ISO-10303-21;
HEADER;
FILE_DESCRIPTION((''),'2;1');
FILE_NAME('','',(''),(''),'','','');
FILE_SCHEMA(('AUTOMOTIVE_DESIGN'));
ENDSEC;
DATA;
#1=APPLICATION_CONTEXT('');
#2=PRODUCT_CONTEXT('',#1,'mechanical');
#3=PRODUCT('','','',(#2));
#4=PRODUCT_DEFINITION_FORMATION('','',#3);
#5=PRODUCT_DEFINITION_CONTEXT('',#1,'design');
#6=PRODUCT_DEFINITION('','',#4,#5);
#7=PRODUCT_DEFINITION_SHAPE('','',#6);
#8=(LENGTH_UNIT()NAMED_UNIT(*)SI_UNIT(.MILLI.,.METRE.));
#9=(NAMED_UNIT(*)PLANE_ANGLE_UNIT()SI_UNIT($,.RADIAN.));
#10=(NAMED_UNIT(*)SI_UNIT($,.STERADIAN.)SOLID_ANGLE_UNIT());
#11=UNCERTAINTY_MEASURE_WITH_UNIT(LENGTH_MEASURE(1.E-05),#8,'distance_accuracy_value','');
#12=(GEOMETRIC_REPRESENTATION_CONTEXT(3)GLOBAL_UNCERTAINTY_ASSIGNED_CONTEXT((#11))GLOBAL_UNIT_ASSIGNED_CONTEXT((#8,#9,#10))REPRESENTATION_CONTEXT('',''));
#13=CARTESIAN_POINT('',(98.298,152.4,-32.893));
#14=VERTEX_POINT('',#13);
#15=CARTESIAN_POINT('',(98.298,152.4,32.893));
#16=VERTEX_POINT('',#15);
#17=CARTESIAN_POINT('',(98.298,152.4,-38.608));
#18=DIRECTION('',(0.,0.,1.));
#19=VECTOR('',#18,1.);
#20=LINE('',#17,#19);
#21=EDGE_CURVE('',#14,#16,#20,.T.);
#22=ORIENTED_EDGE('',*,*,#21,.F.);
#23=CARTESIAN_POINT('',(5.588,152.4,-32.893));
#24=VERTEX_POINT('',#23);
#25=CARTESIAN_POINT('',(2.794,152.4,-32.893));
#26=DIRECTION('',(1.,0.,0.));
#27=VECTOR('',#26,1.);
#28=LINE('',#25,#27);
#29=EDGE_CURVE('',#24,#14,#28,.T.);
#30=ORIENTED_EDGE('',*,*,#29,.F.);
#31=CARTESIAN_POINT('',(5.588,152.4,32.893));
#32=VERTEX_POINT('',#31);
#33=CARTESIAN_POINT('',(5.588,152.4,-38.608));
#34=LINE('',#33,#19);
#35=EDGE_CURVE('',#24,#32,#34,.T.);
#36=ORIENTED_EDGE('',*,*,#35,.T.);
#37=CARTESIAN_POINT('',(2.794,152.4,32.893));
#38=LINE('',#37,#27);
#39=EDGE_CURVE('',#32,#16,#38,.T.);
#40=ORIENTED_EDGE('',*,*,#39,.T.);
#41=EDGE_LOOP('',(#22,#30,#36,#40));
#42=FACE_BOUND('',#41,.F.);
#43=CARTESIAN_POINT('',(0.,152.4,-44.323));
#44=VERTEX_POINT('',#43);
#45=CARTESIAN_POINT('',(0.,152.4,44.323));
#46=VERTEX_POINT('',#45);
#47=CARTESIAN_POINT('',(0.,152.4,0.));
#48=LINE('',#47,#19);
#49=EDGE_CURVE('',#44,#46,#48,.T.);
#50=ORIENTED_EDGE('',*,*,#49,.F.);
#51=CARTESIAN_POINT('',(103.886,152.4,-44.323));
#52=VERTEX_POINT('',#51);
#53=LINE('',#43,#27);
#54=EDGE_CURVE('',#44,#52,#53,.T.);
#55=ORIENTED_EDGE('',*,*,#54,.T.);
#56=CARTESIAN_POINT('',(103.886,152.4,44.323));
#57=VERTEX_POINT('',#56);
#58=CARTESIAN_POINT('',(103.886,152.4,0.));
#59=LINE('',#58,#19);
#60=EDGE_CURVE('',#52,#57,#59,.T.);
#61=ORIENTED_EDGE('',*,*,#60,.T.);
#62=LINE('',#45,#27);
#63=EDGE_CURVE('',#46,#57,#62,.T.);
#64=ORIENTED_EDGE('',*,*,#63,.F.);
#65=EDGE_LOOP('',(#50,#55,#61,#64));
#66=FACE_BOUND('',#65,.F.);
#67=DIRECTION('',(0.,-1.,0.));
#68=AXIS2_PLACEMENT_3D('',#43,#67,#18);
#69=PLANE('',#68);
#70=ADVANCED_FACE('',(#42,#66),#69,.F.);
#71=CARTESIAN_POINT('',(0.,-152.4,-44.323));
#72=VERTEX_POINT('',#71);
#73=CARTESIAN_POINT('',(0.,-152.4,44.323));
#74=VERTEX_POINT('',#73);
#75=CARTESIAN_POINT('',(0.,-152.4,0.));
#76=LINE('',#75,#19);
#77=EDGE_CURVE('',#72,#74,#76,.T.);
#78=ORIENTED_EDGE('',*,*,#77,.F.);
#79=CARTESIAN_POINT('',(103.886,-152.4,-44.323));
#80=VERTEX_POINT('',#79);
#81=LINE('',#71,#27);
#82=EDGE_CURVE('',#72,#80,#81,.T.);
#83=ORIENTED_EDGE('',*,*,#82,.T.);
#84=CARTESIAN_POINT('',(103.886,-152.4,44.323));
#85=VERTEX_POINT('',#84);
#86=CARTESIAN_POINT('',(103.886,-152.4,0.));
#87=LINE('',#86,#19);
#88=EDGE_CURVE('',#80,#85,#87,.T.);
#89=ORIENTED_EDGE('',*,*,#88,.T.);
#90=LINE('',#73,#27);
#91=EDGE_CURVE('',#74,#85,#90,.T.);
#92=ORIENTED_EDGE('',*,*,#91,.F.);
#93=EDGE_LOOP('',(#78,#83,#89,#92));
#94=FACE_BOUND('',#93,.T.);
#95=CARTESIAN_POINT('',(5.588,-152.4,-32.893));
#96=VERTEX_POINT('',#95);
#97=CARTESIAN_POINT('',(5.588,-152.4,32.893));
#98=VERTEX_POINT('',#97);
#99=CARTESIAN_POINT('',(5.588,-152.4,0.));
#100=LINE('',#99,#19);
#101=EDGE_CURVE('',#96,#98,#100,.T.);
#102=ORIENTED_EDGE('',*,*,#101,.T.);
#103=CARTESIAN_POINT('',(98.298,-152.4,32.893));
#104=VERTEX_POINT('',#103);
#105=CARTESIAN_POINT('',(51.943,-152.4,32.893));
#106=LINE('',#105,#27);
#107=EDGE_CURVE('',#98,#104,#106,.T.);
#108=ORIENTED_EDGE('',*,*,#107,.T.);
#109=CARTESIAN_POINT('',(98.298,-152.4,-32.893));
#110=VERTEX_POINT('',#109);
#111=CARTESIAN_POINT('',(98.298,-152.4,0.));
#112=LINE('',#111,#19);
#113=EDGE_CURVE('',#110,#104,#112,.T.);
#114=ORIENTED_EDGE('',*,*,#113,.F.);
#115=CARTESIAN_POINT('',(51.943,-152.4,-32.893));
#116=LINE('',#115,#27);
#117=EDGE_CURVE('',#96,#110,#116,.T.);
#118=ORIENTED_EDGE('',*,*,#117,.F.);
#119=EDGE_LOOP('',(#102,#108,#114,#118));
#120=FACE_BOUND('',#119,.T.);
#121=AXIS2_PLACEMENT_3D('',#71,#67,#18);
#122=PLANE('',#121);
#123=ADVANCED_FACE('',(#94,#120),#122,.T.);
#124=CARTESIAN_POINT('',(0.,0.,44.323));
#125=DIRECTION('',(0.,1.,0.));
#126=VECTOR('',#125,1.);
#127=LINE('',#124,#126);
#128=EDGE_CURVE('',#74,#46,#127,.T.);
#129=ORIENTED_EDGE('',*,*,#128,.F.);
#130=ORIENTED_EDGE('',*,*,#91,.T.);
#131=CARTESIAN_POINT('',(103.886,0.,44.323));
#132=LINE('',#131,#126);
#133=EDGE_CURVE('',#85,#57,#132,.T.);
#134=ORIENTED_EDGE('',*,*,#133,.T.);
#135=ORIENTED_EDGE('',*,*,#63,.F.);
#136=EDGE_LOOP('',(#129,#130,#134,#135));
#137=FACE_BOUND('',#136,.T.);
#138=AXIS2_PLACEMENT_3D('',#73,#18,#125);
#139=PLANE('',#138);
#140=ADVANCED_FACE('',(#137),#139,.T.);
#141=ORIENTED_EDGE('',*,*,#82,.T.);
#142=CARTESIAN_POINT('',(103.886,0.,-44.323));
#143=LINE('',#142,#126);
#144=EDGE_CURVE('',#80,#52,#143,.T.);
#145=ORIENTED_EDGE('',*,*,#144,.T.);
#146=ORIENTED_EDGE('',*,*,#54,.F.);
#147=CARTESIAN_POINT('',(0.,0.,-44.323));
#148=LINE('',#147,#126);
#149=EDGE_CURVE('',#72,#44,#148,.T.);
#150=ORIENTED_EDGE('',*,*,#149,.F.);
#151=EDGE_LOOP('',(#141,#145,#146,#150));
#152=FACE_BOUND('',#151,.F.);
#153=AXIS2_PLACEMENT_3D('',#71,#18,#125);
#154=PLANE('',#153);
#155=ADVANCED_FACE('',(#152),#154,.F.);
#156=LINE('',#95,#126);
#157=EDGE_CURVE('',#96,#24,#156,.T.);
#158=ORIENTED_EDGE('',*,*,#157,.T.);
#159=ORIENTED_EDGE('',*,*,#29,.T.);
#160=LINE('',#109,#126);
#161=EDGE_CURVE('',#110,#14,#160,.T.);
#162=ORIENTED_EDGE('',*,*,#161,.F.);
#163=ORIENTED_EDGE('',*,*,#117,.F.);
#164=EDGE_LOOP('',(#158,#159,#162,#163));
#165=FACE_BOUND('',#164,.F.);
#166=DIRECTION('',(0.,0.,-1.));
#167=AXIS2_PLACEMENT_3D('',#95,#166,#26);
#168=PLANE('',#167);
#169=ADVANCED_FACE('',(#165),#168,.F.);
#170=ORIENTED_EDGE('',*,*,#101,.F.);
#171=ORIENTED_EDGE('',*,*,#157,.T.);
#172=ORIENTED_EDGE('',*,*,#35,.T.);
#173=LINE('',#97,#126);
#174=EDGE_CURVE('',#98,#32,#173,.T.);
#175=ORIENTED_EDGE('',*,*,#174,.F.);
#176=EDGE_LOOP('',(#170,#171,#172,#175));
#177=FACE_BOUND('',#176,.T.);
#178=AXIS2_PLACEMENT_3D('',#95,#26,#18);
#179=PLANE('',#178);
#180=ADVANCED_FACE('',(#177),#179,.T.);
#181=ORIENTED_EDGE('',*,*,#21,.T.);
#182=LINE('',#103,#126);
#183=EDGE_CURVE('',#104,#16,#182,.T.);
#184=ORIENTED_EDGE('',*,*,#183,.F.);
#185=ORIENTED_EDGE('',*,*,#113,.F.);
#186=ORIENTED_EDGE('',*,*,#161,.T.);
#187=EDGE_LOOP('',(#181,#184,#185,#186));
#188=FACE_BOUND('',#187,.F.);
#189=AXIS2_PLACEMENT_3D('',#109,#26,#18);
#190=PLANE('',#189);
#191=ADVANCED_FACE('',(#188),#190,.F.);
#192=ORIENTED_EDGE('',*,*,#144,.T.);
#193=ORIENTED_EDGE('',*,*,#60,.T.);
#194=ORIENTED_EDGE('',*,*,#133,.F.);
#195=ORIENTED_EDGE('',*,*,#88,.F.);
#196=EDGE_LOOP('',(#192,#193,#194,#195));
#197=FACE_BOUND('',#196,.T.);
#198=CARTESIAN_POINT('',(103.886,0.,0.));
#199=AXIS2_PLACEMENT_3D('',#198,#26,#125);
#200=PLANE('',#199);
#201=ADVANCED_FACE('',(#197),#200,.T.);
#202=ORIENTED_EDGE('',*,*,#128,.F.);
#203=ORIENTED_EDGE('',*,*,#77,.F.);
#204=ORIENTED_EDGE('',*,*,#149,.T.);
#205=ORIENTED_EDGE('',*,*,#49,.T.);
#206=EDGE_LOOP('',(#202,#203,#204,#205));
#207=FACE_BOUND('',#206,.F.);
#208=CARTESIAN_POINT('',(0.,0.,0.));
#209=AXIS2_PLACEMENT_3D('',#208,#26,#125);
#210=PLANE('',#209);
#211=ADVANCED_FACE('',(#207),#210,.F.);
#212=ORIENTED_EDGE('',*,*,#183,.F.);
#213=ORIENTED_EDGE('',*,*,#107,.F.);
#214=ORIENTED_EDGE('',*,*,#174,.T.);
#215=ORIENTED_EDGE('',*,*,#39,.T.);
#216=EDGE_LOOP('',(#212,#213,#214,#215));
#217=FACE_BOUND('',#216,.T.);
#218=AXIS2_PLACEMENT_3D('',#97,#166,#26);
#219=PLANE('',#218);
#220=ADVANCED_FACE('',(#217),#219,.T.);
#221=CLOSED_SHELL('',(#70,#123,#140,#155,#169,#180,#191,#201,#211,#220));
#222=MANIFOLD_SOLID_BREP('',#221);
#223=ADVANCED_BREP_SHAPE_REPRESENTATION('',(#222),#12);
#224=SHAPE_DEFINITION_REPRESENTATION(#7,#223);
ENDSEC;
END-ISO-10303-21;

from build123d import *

# Parameters (mm, degrees)
F0_W     = 304.8
F0_H     = 88.646
F1_DEPTH = 103.886
F3_W     = 92.71
F3_H     = 65.786
F4_DEPTH = 1270


with BuildPart() as f1:
    # F0 (on Right) → F1 (new body)
    with BuildSketch(Plane.YZ):
        Rectangle(F0_W, F0_H)
    extrude(amount=F1_DEPTH)

    # F3 (on face) → F4 (cut)
    with BuildSketch(Plane.XZ.offset(152.4)):
        with Locations((51.943, 0)):
            Rectangle(F3_W, F3_H)
    extrude(amount=-F4_DEPTH, mode=Mode.SUBTRACT)


solid = f1.part
